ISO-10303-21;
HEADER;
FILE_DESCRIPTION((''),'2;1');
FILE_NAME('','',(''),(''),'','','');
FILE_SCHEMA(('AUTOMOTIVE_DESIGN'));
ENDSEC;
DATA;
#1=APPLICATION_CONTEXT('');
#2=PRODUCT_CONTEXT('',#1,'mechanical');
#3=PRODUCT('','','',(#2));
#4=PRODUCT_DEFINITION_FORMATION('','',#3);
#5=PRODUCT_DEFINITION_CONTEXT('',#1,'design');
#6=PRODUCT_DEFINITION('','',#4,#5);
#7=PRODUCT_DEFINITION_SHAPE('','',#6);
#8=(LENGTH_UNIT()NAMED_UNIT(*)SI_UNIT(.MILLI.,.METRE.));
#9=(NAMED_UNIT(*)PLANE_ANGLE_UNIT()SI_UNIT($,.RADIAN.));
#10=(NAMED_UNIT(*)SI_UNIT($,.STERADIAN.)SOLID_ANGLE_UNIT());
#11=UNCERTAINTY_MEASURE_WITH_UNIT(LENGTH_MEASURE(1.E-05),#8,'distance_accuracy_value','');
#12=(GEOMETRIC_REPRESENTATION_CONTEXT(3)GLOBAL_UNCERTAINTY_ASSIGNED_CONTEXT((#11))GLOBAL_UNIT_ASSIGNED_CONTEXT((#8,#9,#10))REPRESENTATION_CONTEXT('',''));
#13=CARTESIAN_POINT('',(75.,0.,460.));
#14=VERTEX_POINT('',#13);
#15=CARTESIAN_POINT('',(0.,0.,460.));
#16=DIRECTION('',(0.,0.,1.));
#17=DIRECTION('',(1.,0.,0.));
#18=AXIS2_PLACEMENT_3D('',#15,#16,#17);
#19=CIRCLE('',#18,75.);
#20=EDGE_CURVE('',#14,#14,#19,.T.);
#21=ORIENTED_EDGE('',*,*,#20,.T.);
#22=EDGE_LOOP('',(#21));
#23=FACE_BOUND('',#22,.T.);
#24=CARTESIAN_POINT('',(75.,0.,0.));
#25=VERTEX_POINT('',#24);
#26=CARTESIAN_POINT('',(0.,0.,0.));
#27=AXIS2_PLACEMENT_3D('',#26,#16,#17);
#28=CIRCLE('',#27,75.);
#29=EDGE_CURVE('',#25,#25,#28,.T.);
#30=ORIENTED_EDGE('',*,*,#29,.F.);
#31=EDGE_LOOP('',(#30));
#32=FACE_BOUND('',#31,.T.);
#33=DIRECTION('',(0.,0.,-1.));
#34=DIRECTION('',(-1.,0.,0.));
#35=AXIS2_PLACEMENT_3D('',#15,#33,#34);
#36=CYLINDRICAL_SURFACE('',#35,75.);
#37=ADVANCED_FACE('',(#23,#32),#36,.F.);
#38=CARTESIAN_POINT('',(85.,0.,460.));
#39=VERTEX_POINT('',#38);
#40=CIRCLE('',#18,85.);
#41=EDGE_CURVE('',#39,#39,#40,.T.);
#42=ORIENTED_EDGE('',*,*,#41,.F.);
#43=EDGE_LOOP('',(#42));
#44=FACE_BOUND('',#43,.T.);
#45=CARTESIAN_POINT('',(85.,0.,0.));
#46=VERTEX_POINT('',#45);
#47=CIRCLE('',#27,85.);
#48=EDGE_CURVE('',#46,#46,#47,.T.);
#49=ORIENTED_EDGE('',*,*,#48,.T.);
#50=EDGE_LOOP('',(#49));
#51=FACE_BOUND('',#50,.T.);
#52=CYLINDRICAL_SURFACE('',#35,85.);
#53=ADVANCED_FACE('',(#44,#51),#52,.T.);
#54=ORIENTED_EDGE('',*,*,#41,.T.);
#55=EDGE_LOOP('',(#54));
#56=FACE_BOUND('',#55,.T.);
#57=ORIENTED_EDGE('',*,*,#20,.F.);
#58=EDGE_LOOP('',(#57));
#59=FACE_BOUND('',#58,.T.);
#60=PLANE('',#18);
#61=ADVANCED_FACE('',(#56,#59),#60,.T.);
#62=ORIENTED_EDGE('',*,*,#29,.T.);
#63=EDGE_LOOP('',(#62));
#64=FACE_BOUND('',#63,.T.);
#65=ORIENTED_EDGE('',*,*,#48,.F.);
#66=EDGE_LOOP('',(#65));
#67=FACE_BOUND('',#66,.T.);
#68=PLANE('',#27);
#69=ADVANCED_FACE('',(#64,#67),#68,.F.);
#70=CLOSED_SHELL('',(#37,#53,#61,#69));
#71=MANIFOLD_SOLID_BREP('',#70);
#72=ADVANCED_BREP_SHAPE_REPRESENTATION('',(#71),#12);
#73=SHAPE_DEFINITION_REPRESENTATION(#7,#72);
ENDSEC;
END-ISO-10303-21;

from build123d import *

# Parameters (mm, degrees)
SKETCH2_R           = 85
SKETCH2_R_2         = 75
BOSS_EXTRUDE1_DEPTH = 460


with BuildPart() as part:
    # Sketch2 → Boss-Extrude1 (new body)
    with BuildSketch(Plane.XY):
        Circle(SKETCH2_R)
        Circle(SKETCH2_R_2, mode=Mode.SUBTRACT)
    extrude(amount=BOSS_EXTRUDE1_DEPTH)


solid = part.part
